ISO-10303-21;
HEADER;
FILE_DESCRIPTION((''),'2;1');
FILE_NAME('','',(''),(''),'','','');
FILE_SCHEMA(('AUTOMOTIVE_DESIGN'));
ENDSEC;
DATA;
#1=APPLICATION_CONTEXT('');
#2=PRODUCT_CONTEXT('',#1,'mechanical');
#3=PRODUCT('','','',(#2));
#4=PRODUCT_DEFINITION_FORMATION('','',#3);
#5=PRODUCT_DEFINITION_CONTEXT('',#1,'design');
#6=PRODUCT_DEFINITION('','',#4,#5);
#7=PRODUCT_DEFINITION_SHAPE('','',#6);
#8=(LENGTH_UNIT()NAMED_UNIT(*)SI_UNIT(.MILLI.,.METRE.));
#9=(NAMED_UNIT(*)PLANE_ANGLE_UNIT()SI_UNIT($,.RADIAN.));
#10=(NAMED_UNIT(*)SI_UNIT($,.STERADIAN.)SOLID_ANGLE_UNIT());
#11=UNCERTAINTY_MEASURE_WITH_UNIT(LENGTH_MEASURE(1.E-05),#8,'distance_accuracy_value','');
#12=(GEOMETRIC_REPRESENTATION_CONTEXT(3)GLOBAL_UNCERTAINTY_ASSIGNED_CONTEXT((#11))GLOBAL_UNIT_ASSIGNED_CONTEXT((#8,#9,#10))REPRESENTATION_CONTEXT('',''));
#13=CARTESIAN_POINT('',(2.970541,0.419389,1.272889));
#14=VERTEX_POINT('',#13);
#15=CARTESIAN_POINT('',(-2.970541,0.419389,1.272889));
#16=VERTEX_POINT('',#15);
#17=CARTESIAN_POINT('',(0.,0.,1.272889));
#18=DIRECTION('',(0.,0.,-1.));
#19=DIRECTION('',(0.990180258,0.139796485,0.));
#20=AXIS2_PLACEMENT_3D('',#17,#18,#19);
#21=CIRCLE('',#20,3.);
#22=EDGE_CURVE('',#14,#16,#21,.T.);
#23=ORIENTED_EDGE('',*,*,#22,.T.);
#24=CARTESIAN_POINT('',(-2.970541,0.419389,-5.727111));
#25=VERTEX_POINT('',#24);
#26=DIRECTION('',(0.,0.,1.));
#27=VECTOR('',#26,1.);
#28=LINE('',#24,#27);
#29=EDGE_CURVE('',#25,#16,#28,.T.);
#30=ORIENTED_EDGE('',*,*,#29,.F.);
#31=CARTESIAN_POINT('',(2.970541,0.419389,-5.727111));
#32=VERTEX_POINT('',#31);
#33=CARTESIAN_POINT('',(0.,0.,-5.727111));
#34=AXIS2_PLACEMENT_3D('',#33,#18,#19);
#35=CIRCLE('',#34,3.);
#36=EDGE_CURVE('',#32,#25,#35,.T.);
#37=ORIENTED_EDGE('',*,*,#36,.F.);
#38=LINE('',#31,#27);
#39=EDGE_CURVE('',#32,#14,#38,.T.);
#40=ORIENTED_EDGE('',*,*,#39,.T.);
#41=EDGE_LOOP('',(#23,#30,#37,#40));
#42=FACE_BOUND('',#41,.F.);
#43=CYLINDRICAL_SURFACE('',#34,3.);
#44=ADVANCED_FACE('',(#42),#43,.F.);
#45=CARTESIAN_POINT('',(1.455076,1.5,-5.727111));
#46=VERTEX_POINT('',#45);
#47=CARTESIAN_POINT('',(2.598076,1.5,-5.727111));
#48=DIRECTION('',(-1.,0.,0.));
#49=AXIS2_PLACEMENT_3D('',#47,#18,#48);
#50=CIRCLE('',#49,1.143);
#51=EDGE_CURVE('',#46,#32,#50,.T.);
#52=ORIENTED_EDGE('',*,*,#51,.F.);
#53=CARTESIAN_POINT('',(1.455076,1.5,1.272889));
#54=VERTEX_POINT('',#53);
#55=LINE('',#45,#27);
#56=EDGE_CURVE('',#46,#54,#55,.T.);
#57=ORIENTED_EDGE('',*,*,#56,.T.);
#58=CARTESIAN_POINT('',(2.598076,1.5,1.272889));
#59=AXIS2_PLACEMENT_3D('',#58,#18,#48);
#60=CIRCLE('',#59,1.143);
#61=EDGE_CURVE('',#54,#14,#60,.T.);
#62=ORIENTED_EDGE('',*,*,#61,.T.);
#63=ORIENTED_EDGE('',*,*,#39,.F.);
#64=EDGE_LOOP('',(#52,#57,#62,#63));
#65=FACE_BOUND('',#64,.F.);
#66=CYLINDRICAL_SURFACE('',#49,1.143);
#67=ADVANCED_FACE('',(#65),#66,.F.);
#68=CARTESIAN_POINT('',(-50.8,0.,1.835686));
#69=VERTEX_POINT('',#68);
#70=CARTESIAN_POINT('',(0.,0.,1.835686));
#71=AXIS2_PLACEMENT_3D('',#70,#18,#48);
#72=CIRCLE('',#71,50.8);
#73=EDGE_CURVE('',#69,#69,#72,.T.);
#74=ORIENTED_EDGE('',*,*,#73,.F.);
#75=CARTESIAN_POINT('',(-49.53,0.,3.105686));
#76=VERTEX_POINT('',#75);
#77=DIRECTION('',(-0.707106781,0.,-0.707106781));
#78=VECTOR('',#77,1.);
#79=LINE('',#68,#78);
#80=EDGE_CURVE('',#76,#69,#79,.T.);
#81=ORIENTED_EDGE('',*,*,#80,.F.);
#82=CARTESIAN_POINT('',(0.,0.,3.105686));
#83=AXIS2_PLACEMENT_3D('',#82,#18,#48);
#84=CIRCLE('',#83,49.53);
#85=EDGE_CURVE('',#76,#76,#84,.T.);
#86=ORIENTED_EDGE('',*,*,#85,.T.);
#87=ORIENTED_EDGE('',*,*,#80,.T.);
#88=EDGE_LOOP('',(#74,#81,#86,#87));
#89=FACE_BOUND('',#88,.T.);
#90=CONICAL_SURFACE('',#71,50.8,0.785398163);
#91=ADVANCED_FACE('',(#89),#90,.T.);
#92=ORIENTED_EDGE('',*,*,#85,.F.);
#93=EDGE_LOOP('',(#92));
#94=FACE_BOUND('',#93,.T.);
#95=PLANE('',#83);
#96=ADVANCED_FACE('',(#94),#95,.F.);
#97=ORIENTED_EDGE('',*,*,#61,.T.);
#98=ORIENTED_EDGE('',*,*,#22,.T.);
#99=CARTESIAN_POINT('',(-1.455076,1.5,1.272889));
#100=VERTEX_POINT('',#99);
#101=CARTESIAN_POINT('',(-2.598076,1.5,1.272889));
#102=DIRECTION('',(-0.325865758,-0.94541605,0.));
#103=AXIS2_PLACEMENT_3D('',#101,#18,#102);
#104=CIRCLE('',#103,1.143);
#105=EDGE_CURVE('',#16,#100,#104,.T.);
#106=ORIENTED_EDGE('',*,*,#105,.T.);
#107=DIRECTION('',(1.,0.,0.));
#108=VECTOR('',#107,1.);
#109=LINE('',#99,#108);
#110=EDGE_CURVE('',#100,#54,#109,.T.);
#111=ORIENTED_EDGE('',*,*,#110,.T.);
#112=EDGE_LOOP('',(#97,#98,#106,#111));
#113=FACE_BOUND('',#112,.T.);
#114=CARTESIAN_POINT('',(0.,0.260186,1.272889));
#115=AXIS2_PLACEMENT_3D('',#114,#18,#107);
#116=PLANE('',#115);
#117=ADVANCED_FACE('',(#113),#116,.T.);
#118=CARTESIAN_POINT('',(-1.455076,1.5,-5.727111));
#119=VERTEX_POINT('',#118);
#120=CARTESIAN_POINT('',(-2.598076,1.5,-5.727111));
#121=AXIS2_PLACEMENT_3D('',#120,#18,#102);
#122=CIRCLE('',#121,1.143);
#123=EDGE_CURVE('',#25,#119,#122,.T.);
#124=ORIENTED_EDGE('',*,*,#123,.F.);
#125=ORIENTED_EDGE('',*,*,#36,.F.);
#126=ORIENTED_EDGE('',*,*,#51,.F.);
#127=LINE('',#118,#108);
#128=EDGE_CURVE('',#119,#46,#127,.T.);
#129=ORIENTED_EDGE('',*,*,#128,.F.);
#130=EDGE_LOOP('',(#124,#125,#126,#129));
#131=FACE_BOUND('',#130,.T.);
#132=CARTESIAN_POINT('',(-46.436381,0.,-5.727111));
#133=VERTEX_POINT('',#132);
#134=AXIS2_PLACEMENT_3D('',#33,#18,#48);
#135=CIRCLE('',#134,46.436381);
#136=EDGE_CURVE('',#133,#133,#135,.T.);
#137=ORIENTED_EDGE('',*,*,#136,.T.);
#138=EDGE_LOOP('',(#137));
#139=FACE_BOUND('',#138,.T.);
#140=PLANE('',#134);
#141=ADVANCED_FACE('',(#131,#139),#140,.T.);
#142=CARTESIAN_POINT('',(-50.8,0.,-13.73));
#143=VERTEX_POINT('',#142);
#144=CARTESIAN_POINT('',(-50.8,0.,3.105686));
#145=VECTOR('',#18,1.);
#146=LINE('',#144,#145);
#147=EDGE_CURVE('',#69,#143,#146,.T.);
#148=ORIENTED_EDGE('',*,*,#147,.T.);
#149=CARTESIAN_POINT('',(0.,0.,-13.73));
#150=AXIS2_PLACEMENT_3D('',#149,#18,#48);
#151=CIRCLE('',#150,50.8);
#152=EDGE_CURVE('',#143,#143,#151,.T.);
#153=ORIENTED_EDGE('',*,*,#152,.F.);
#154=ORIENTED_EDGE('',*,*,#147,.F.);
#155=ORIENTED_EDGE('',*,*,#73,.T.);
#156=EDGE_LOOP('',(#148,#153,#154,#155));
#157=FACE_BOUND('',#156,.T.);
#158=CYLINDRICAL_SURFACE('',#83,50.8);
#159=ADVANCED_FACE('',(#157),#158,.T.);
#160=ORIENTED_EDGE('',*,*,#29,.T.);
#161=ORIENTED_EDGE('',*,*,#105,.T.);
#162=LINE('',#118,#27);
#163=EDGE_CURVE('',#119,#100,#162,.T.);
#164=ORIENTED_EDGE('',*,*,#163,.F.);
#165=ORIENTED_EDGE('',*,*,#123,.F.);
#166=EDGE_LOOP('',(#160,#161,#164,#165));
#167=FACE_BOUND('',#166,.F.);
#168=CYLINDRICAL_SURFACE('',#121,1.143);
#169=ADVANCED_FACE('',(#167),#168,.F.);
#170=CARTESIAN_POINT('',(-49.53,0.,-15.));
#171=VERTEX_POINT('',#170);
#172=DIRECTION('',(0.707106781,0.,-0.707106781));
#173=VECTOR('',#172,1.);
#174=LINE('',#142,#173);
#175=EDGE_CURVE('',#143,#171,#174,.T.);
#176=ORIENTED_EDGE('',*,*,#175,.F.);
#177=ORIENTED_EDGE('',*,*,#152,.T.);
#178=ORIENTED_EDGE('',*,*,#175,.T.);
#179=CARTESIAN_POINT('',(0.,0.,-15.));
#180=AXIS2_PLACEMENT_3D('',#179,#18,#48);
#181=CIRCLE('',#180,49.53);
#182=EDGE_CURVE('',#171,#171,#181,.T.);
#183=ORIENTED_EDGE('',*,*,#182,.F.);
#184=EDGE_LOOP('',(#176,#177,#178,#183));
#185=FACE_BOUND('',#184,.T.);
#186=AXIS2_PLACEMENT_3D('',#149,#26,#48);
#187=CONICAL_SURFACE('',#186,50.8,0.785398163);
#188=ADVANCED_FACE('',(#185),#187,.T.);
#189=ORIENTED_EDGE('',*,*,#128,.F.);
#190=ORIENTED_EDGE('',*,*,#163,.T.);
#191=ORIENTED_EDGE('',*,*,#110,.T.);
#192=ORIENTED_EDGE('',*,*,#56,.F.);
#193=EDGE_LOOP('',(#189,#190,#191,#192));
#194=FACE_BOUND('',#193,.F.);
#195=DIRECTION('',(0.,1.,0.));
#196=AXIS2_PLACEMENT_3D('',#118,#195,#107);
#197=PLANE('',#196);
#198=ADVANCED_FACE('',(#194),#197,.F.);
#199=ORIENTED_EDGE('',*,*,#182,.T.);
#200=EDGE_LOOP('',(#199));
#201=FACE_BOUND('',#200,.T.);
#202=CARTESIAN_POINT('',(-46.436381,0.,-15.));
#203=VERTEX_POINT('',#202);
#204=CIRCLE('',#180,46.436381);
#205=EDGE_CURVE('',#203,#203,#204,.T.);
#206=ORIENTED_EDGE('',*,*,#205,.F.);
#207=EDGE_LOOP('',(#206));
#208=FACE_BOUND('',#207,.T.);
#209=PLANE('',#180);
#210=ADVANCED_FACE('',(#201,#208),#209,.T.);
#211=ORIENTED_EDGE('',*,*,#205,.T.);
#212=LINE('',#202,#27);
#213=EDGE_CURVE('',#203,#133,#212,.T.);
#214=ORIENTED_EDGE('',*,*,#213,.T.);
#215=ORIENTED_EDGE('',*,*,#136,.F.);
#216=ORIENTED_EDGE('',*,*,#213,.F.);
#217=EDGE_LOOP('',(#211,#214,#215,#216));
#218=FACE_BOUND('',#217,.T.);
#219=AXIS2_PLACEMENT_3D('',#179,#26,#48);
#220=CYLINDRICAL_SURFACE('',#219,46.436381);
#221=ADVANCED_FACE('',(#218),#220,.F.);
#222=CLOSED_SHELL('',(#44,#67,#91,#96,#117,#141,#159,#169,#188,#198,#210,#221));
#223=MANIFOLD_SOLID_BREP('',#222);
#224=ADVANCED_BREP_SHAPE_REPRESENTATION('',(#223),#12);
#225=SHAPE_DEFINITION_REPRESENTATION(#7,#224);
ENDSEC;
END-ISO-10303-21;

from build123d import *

# Parameters (mm, degrees)
F2_SIZE  = 1.27
F4_DEPTH = 7
F5_SIZE  = 1.27


with BuildPart() as f1:
    # F0 (on Front) → F1 (revolve)
    with BuildSketch(Plane.XZ):
        Polygon((0, 0), (0, 3.1056862596), (-50.8, 3.1056862596), (-50.8, -15), (-46.4363807935, -15), (-46.4363807935, -5.7271113946), (-1, -5.7271113946), (-1, 0), align=None)
    revolve(axis=Axis((0, 0, 4.3935226277), (0, 0, -1)))

    # F2
    f2_edges = [f1.edges().sort_by_distance(p)[0] for p in [
        (50.8, 0, 3.105686),
    ]]
    chamfer(f2_edges, length=F2_SIZE)

    # F3 (on face) → F4 (cut)
    with BuildSketch(Plane(origin=(0, 0, -5.7271113946), x_dir=(1, 0, 0), z_dir=(0, 0, -1))):
        with BuildLine():
            ThreePointArc((-2.9705407732, -0.4193894549), (-3.2616732298, -2.4306384889), (-1.4550762114, -1.5))
            Line((-1.4550762114, -1.5), (1.4550762114, -1.5))
            ThreePointArc((1.4550762114, -1.5), (3.2616732298, -2.4306384889), (2.9705407732, -0.4193894549))
            ThreePointArc((2.9705407732, -0.4193894549), (0, 3), (-2.9705407732, -0.4193894549))
        make_face()
    extrude(amount=-F4_DEPTH, mode=Mode.SUBTRACT)

    # F5
    f5_edges = [f1.edges().sort_by_distance(p)[0] for p in [
        (50.8, 0, -15),
    ]]
    chamfer(f5_edges, length=F5_SIZE)


solid = f1.part
